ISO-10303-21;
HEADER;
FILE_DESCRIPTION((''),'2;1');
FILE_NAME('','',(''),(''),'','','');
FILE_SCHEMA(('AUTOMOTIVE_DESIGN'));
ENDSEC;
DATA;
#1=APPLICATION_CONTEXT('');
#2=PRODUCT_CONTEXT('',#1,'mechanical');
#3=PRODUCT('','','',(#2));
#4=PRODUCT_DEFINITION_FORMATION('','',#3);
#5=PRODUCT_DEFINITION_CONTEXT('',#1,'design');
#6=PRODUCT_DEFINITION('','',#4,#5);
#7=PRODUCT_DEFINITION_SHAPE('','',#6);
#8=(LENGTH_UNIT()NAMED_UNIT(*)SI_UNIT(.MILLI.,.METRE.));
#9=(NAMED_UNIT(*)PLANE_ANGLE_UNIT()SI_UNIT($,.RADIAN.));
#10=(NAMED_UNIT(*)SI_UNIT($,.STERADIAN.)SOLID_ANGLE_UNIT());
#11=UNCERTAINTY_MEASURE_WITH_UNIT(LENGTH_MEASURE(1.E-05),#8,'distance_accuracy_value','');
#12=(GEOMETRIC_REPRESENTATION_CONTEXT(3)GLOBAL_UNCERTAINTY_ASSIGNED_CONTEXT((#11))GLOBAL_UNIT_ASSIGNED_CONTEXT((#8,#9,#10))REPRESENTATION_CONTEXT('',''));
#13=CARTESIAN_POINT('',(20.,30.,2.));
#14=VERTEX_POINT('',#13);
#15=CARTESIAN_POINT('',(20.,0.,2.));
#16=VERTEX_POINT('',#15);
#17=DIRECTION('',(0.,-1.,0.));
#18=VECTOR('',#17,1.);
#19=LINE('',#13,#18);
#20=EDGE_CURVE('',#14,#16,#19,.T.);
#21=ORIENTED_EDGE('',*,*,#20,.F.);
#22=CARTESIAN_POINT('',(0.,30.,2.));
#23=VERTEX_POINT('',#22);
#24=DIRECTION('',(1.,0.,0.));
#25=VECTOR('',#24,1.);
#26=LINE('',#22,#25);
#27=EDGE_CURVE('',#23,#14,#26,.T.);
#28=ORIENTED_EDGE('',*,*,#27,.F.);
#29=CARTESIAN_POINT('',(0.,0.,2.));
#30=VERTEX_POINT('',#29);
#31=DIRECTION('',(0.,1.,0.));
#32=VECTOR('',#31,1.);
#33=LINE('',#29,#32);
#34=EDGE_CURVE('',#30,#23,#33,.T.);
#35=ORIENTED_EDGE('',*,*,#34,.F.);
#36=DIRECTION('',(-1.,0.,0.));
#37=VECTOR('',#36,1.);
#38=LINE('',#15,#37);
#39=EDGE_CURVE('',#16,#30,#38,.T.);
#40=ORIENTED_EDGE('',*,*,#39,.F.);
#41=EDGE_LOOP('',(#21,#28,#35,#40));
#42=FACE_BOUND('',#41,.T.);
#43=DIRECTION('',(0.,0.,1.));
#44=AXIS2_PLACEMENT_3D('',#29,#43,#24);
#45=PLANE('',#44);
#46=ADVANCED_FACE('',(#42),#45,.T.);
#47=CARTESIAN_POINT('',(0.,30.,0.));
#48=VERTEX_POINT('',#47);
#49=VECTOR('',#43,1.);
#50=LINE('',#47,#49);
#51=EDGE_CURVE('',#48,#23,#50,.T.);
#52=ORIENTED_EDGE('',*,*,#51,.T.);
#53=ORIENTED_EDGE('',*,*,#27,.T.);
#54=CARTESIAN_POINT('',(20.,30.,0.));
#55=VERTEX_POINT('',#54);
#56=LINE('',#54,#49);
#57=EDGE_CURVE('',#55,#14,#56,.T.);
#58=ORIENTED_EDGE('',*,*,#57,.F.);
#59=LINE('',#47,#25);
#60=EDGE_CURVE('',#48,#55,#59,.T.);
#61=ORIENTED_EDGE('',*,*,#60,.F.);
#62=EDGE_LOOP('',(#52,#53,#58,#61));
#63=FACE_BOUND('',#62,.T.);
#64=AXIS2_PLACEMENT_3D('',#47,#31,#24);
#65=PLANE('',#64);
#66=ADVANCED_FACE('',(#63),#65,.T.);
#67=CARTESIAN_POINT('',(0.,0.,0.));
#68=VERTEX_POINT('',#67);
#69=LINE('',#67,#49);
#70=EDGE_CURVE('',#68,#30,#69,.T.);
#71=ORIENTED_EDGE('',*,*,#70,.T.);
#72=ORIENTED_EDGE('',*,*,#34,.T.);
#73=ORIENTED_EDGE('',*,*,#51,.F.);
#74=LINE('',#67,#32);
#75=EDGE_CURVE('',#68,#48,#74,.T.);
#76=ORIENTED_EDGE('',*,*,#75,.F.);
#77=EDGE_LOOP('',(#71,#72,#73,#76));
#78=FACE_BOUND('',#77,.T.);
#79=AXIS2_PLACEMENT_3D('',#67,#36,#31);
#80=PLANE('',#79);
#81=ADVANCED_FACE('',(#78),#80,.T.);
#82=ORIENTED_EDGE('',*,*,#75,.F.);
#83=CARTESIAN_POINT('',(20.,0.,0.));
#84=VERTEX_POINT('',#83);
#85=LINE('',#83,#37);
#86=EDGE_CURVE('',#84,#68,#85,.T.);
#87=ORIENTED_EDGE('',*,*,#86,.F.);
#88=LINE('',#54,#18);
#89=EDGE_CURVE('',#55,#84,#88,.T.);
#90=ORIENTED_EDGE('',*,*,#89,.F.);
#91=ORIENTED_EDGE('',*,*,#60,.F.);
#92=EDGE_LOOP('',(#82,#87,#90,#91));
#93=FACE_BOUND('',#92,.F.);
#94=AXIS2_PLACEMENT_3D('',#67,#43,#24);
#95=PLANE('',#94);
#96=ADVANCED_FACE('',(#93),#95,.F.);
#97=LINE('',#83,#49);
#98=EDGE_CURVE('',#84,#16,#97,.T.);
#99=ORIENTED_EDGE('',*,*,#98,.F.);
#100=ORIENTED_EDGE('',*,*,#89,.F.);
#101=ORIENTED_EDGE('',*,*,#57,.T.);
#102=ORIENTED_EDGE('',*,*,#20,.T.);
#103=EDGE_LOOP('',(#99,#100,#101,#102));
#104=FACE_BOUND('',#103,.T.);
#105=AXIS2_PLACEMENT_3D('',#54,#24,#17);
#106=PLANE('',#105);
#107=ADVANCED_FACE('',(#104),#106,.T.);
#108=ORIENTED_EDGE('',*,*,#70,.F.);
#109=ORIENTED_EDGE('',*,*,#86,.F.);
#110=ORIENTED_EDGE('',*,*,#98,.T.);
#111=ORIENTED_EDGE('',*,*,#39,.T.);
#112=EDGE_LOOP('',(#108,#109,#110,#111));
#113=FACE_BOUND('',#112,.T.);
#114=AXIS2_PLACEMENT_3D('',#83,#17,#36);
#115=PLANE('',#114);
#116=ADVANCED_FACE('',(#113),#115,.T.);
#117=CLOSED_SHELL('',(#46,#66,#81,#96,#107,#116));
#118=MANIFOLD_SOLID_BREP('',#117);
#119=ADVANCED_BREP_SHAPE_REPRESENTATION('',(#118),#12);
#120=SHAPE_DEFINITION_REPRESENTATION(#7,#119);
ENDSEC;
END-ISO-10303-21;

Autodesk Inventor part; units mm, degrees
ref_plane "YZ Plane" through (0, 0, 0) normal (1, 0, 0) x (0, 1, 0)
ref_plane "XZ Plane" through (0, 0, 0) normal (0, 1, 0) x (-1, 0, 0)
ref_plane "XY Plane" through (0, 0, 0) normal (0, 0, 1) x (1, 0, 0)
sketch "Skizze1" plane through (0, 0, 0) normal (0, 0, 1) x (1, 0, 0)
  line L0 (20, 0) -> (0, 0)
  line L1 (0, 0) -> (0, 30)
  line L2 (0, 30) -> (20, 30)
  line L3 (20, 30) -> (20, 0)
  dimension "d0" = 20
  dimension "d1" = 30
extrude "Extrusion1" add sketch "Skizze1" along normal blind 2
sketch "Skizze2" plane through (0, 30, 0) normal (0, 1, 0) x (1, 0, 0)
  point P0 (0, 0)
properties part number "Z-Endstop mount"
